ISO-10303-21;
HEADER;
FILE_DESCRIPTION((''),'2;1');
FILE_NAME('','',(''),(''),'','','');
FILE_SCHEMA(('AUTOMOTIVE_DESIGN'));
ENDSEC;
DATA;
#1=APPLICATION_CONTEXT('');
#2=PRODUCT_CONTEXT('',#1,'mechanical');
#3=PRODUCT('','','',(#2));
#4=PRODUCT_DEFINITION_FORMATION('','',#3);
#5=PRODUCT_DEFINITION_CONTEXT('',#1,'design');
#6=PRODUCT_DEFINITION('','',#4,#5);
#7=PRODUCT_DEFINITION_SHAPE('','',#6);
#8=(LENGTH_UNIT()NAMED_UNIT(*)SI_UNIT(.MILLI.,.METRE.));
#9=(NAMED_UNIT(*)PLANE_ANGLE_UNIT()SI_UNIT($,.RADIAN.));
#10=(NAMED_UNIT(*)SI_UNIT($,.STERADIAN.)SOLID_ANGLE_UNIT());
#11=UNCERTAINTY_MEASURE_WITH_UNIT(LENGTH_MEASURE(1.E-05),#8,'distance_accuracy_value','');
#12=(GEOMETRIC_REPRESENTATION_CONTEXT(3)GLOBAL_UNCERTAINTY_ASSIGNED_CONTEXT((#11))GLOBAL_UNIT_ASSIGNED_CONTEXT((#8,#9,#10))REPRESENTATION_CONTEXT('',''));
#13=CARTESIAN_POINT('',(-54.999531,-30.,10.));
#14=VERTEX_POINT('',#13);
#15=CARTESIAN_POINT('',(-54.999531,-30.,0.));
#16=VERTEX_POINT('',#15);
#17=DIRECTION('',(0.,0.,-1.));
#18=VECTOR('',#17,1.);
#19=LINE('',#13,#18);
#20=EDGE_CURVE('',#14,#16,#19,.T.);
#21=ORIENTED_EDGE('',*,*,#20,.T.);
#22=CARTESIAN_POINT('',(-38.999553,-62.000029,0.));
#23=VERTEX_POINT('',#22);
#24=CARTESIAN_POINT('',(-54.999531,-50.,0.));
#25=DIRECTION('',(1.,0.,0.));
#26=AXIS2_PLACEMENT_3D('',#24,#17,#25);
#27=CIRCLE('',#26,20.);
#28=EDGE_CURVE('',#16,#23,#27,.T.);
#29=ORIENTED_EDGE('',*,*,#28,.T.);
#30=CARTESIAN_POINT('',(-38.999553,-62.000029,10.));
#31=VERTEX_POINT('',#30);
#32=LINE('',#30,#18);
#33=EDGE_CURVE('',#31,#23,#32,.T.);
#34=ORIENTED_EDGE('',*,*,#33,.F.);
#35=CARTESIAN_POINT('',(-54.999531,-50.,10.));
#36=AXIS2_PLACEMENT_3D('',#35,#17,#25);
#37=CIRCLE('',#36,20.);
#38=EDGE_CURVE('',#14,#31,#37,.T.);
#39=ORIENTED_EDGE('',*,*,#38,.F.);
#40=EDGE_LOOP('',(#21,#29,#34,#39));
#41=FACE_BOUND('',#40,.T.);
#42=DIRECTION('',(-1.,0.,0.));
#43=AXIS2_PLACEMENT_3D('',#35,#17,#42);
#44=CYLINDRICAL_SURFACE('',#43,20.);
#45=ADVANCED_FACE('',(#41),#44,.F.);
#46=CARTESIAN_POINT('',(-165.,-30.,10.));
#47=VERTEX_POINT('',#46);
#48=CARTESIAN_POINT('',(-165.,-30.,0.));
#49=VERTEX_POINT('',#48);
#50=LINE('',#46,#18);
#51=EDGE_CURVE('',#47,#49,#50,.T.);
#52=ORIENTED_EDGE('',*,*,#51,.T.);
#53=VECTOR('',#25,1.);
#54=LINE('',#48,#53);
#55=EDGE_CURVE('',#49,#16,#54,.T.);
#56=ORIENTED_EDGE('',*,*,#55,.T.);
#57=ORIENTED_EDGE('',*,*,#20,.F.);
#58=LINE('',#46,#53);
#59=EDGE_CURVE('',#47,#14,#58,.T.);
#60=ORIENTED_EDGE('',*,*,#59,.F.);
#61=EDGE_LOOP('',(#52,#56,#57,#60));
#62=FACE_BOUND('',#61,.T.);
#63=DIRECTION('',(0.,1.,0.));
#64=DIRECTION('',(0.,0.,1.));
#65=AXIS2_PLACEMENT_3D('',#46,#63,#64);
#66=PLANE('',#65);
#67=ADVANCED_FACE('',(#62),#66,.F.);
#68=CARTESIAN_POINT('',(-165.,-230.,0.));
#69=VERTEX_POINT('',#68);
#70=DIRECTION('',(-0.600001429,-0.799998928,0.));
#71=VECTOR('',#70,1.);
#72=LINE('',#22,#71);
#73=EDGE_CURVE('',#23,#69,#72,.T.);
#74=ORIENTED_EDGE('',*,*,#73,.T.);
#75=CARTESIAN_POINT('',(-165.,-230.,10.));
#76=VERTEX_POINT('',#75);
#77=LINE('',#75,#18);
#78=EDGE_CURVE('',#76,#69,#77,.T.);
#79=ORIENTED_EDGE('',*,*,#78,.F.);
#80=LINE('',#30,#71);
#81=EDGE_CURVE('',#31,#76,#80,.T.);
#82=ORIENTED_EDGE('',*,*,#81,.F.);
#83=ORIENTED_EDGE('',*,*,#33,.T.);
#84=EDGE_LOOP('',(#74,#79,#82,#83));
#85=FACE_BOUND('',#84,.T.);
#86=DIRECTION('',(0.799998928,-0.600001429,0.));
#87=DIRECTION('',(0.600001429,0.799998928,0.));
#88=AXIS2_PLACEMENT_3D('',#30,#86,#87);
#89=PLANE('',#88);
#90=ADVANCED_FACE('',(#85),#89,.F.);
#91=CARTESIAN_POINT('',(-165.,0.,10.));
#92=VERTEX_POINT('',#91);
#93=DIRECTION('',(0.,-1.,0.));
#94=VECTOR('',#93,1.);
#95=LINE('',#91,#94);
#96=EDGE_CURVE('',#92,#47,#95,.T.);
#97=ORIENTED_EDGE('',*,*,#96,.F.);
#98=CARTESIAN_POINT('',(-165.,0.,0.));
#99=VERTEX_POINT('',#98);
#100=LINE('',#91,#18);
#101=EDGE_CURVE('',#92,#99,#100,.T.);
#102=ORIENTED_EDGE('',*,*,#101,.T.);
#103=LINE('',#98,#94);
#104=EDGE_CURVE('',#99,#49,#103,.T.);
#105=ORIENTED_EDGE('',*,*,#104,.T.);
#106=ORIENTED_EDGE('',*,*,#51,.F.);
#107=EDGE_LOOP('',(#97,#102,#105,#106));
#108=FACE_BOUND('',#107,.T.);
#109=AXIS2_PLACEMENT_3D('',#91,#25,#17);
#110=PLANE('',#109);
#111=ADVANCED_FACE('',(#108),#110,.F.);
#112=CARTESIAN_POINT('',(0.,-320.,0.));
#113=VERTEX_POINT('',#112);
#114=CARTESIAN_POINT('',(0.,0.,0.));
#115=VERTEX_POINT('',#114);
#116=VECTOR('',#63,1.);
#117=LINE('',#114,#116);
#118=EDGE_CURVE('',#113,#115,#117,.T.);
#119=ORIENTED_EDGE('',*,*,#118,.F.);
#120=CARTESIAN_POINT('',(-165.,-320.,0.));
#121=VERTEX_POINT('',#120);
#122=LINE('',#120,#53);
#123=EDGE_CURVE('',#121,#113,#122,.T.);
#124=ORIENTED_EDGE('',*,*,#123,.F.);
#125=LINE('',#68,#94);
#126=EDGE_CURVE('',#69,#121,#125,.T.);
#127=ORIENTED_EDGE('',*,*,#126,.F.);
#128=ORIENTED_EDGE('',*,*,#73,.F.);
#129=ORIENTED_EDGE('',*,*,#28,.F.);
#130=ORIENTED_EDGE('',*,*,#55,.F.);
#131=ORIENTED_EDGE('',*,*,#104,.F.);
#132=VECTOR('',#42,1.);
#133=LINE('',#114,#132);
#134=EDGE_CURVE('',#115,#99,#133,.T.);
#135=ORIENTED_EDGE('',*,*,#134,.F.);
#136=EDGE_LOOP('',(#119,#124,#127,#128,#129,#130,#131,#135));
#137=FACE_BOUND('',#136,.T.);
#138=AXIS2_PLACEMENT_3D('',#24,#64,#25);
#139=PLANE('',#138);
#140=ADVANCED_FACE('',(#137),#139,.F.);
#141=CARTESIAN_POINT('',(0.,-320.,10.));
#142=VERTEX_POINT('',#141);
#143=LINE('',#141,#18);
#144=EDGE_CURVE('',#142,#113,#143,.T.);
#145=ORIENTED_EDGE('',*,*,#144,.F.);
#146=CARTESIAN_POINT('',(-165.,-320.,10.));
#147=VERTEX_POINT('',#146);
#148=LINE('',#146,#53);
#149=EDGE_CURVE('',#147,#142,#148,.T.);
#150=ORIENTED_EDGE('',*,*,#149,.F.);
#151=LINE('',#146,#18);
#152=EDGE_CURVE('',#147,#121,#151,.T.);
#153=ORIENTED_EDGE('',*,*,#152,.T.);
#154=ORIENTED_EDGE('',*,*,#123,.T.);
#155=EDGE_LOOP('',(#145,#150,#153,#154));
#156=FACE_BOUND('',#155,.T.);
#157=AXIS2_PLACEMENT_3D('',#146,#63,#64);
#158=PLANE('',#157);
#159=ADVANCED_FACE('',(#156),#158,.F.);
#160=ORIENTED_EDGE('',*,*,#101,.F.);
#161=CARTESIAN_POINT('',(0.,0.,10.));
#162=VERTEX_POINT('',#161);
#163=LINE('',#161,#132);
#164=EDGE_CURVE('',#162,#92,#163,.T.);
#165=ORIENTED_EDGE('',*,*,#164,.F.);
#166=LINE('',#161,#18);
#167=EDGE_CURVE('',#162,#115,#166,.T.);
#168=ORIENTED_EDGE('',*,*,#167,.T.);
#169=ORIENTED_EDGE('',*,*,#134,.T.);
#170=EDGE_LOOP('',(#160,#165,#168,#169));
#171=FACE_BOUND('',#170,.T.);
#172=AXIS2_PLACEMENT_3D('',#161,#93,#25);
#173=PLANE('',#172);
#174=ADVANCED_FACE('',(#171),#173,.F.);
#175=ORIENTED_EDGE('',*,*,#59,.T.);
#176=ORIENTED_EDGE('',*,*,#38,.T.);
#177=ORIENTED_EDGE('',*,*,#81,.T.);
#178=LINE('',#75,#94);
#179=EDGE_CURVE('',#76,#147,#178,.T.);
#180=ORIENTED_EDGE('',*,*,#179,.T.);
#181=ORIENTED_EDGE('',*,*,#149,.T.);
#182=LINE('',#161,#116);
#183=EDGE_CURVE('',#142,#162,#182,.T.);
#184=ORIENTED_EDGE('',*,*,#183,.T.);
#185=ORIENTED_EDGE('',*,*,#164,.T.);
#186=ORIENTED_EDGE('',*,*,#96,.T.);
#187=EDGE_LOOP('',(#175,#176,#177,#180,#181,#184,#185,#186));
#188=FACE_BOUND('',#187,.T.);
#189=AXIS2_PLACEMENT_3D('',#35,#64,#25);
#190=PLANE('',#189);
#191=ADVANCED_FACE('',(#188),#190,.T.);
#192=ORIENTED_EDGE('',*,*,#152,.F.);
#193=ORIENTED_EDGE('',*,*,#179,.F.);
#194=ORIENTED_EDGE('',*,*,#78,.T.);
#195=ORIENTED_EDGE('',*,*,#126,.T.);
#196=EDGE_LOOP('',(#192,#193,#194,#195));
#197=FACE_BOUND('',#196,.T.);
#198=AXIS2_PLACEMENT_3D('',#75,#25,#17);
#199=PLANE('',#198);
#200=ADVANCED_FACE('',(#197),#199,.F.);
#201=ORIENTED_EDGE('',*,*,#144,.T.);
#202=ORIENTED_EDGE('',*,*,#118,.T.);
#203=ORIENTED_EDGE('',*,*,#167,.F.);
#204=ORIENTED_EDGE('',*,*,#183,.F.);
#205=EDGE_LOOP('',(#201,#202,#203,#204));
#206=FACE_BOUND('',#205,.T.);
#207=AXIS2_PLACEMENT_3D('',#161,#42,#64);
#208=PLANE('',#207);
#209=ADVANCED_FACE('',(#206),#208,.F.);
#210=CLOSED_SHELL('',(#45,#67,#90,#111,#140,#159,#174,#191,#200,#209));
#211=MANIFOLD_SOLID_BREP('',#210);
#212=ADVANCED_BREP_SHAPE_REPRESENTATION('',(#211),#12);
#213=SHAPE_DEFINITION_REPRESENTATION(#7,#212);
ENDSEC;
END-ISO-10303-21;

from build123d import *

# Parameters (mm, degrees)
EXTRUDE_1_DEPTH = 10


with BuildPart() as part:
    # 草图6 → 凸台-拉伸1 (new body)
    with BuildSketch(Plane.XY):
        with BuildLine():
            Line((0, 0), (0, -320))
            Line((0, -320), (-165, -320))
            Line((-165, -320), (-165, -230))
            Line((-165, -230), (-38.999552502, -62.000028583))
            ThreePointArc((-38.999552502, -62.000028583), (-37.110979256, -41.055744068), (-54.999531065, -30))
            Line((-54.999531065, -30), (-165, -30))
            Line((-165, -30), (-165, 0))
            Line((-165, 0), (0, 0))
        make_face()
    extrude(amount=EXTRUDE_1_DEPTH)


solid = part.part
